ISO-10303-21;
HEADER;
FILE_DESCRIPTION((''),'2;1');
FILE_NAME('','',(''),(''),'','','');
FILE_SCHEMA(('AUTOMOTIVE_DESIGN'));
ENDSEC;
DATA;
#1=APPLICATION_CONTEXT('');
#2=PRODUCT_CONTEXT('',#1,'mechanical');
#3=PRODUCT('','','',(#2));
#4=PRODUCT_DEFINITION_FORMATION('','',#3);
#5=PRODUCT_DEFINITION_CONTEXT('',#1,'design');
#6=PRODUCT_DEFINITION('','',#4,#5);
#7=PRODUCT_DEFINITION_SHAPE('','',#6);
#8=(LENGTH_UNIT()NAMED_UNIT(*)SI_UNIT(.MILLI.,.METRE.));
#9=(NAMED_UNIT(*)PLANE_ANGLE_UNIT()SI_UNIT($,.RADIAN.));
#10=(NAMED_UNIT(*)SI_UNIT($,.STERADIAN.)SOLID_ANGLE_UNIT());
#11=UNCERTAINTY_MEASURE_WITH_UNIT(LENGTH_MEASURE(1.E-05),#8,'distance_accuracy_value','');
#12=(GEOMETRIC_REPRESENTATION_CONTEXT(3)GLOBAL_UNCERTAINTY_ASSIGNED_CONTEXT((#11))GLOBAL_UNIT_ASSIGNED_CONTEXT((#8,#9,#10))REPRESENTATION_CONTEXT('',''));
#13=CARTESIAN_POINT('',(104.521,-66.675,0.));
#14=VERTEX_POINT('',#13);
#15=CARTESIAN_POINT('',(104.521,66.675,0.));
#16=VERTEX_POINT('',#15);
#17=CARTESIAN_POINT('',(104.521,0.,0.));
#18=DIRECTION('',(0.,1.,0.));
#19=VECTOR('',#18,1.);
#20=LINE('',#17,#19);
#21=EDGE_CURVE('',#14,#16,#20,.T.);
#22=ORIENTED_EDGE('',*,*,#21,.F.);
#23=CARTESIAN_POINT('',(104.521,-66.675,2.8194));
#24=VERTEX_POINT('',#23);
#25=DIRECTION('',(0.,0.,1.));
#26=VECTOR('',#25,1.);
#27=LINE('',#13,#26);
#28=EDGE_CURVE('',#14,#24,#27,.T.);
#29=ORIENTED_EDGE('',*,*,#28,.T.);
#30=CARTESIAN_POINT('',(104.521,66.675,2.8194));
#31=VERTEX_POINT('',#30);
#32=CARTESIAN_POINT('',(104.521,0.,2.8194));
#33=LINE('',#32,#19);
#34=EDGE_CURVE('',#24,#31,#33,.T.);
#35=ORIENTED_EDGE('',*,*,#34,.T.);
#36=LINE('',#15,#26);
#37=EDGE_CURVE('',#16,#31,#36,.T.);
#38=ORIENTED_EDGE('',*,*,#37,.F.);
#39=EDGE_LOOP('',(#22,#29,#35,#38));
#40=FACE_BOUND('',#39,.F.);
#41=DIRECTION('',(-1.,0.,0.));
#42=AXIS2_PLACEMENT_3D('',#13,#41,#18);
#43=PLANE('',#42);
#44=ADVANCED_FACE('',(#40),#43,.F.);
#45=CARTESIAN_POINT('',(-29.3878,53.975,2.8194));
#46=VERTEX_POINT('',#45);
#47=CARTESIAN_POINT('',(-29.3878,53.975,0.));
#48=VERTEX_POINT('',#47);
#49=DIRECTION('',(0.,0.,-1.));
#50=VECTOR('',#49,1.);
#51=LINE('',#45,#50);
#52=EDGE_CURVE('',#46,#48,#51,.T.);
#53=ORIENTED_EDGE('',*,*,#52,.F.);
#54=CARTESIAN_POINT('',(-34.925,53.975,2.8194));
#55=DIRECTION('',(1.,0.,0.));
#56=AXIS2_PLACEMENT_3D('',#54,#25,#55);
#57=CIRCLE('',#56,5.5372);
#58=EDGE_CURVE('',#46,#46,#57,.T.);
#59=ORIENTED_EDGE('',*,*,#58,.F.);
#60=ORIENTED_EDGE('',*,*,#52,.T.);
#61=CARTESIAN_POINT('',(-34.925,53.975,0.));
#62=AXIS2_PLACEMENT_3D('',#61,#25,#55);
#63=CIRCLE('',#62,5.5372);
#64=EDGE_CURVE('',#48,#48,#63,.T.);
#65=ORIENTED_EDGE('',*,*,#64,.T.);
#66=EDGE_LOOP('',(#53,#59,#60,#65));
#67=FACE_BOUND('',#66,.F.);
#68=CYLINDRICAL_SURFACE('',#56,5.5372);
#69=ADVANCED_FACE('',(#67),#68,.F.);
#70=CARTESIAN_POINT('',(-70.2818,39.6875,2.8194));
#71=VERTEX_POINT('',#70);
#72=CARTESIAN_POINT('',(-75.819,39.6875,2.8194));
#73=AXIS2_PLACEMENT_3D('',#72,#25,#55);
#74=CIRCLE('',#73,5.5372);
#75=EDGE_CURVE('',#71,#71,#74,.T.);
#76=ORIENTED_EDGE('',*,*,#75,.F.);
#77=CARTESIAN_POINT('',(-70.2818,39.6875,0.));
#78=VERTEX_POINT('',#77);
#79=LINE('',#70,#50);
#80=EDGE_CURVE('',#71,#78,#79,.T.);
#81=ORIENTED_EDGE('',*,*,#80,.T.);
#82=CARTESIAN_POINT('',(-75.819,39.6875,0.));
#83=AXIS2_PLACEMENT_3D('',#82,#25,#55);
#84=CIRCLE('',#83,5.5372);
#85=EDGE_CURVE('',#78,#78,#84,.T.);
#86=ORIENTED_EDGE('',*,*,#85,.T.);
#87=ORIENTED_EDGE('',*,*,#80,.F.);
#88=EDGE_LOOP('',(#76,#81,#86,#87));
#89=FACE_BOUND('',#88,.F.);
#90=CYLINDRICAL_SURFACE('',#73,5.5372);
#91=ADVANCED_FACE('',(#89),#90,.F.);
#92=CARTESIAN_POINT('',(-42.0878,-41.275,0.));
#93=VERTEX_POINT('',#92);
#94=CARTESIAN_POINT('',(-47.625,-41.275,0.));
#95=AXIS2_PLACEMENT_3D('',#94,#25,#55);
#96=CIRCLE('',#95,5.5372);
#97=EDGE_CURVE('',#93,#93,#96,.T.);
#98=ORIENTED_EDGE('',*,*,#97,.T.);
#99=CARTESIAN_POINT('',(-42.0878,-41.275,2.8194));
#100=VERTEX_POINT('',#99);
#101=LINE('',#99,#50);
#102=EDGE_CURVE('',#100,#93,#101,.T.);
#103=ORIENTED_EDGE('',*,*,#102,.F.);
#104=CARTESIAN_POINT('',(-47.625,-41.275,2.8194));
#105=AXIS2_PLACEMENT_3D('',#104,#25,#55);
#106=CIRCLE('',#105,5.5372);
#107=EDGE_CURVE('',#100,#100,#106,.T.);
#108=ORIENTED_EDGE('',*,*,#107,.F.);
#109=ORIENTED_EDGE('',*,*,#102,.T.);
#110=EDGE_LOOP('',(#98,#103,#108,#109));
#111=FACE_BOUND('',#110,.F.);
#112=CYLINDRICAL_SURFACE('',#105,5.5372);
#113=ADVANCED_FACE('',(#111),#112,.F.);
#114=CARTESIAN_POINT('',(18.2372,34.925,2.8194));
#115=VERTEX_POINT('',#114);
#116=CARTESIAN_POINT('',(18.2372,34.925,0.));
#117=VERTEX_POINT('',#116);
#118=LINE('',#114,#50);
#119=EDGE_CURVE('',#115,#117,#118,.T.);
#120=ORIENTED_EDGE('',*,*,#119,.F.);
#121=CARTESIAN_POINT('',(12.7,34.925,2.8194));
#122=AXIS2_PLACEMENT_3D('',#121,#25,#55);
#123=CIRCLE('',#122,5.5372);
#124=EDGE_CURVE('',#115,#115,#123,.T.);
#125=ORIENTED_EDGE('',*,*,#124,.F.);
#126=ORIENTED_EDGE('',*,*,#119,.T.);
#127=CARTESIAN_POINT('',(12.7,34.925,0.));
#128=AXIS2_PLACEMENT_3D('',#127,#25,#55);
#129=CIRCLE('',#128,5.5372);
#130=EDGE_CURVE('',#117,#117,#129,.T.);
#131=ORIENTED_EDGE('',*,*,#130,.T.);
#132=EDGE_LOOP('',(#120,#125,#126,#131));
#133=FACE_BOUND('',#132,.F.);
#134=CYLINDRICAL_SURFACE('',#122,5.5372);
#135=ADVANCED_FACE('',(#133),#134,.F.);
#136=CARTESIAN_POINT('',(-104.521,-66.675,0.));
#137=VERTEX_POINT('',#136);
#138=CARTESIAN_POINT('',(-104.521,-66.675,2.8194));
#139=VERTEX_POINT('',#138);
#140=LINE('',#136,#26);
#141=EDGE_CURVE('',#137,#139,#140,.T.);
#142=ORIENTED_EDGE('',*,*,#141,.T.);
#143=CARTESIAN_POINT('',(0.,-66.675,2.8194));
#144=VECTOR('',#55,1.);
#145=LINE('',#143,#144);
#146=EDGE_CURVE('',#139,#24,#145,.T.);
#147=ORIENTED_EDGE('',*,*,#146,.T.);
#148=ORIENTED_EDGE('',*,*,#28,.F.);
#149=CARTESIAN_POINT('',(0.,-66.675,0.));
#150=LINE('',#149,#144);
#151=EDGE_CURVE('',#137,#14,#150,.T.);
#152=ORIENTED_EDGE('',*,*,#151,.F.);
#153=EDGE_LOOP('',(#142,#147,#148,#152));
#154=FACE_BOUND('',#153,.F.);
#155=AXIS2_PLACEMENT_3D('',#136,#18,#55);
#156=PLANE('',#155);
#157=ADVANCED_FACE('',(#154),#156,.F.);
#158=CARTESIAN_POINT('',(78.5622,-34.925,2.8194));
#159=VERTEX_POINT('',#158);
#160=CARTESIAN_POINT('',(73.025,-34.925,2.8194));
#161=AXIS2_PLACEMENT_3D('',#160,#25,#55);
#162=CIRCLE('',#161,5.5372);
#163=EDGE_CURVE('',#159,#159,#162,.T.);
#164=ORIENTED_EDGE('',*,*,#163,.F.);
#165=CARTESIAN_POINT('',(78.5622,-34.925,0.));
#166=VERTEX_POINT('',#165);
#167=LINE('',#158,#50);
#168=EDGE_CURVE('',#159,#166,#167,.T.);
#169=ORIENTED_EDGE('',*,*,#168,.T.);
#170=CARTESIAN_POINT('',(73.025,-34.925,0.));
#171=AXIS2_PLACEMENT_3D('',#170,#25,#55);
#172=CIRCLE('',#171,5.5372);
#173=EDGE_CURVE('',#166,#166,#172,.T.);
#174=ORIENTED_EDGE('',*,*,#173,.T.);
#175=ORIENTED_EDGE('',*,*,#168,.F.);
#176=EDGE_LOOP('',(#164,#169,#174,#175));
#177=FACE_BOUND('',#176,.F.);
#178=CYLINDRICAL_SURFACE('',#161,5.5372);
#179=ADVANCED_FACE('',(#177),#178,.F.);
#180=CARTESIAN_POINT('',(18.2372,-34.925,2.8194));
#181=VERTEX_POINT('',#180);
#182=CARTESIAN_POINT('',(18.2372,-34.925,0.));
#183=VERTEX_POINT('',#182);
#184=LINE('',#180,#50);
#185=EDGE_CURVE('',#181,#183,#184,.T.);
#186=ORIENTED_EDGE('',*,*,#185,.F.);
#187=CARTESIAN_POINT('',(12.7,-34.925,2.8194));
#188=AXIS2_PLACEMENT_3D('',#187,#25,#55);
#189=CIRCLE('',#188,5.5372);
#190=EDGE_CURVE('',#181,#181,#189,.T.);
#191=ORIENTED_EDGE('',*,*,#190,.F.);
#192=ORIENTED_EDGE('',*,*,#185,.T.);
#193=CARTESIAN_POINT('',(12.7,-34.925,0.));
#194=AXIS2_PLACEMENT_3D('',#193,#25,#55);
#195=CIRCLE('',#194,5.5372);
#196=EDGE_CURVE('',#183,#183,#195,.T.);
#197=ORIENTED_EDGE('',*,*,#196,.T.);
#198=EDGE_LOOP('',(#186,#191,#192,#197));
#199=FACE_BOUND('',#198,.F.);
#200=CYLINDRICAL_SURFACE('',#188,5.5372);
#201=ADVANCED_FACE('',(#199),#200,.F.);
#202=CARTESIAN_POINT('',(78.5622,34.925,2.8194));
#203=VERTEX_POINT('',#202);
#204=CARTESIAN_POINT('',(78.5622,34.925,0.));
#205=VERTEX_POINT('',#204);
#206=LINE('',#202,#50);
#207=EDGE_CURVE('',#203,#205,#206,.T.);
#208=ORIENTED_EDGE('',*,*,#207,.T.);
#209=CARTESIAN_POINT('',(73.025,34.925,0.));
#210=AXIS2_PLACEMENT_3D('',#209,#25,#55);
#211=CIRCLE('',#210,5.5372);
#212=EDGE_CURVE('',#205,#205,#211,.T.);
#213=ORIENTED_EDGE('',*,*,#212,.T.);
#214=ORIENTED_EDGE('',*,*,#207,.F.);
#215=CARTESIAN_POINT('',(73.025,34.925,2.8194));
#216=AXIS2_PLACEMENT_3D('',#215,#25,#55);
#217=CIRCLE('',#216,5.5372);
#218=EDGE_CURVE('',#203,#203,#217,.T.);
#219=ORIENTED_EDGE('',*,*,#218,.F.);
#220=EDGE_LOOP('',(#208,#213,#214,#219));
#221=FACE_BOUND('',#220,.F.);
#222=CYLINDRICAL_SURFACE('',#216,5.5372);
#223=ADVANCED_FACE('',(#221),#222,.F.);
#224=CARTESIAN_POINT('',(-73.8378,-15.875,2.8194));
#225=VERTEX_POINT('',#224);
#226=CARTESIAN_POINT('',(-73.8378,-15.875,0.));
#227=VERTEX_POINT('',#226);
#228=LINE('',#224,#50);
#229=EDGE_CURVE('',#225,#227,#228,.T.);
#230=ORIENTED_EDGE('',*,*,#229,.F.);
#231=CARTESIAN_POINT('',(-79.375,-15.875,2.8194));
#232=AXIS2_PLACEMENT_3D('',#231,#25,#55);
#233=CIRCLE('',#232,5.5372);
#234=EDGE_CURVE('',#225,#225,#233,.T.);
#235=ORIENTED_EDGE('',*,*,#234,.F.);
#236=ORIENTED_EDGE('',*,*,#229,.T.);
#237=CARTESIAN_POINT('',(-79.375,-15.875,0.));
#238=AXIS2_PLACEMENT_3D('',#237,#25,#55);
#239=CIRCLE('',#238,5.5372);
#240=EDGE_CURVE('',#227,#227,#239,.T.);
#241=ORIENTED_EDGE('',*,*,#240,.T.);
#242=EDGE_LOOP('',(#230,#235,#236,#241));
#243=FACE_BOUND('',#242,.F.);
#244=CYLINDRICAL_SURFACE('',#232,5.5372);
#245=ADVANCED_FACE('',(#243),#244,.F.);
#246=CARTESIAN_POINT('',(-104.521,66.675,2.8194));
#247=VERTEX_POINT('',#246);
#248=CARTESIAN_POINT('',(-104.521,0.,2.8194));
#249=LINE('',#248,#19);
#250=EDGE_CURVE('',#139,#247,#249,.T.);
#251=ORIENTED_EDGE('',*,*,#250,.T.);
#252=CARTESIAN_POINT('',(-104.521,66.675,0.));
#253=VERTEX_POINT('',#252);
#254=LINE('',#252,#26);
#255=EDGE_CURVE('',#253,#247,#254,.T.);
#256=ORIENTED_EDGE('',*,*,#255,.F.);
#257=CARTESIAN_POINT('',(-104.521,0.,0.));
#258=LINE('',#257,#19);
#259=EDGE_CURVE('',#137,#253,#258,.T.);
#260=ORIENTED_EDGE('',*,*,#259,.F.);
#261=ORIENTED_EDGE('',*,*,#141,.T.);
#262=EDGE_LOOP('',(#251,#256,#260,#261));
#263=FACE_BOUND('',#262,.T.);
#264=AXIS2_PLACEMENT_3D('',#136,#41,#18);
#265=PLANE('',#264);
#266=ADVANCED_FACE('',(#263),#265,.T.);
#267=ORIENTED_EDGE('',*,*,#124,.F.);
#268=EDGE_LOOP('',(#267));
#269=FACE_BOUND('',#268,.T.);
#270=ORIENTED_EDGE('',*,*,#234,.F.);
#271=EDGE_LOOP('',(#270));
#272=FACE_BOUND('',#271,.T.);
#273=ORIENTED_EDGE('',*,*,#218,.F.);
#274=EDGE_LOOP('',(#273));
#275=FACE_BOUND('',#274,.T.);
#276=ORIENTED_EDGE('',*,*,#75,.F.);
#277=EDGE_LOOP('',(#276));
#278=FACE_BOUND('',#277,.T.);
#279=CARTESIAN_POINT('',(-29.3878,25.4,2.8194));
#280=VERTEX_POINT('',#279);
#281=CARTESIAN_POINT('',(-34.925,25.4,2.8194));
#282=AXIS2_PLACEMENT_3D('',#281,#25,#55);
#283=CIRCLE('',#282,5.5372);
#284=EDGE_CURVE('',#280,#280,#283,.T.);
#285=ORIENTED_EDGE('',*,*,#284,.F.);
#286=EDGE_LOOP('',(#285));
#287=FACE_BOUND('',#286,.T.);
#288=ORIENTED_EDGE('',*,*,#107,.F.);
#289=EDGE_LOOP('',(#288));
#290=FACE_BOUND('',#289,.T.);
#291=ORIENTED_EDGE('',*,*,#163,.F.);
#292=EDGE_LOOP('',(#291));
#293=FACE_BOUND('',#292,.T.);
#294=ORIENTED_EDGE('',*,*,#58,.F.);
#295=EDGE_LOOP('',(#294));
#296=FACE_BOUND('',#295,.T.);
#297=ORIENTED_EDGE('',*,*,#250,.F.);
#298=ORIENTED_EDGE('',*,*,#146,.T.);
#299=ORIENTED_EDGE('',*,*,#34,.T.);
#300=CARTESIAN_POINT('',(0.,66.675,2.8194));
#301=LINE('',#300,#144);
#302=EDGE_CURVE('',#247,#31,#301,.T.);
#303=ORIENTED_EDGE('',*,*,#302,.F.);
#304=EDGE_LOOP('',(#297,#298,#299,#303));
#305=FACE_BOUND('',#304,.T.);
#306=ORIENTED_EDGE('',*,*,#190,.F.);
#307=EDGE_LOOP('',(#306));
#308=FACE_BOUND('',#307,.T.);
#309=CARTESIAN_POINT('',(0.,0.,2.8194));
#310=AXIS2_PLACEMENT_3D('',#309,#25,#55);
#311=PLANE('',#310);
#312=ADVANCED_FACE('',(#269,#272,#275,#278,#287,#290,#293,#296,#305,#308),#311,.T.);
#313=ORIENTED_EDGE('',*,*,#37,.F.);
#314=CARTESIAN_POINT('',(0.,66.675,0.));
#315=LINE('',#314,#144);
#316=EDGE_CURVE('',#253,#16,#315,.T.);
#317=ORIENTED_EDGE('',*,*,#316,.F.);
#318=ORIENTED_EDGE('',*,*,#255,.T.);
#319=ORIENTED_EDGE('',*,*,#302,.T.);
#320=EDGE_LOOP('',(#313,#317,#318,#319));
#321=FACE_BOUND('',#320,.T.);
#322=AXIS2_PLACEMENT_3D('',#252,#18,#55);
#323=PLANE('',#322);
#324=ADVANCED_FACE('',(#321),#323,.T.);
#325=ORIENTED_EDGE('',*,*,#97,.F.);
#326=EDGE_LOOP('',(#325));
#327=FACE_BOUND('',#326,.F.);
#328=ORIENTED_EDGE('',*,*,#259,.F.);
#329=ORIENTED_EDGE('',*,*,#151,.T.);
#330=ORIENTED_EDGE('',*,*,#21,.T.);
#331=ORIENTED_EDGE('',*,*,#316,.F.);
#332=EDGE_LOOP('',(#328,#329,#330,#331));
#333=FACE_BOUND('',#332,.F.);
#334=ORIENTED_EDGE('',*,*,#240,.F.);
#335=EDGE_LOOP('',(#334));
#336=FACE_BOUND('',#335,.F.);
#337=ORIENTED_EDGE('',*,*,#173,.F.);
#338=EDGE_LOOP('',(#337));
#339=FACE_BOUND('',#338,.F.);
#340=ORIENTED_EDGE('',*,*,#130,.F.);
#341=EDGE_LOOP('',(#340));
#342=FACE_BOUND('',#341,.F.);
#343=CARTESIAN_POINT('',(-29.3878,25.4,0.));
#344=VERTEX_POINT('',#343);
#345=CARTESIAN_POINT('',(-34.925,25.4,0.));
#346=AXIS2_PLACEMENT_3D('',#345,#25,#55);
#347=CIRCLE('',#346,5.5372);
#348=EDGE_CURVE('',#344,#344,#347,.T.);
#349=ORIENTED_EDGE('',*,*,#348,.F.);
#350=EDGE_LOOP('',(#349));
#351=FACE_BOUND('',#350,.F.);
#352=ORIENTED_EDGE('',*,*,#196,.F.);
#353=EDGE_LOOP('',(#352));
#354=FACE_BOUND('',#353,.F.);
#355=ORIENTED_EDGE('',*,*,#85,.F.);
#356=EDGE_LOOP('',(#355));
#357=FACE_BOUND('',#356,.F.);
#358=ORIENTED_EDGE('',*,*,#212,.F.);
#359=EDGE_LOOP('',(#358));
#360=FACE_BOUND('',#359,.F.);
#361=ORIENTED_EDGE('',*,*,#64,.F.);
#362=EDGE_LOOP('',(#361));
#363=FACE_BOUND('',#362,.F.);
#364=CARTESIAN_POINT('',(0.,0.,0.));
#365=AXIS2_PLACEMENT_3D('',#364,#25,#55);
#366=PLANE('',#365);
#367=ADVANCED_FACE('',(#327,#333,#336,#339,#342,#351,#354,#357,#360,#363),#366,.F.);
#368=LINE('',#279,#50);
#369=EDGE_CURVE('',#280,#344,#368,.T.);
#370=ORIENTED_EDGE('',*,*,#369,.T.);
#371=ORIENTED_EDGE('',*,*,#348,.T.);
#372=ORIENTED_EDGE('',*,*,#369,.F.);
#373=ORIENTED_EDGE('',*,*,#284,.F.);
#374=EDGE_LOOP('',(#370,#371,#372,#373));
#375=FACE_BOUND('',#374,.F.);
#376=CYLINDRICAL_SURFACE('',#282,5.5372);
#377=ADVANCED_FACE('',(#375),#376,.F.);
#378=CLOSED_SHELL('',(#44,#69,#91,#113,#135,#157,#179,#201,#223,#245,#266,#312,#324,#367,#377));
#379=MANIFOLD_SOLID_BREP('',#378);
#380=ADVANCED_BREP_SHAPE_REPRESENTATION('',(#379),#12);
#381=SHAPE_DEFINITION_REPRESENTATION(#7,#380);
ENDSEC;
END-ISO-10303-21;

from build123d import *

# Parameters (mm, degrees)
F0_W     = 209.042
F0_H     = 133.35
F1_DEPTH = 2.8194
F2_R     = 5.5372
F3_DEPTH = 2.8204


with BuildPart() as f1:
    # F0 (on Top) → F1 (new body)
    with BuildSketch(Plane.XY):
        Rectangle(F0_W, F0_H)
    extrude(amount=F1_DEPTH)

    # F2 (on face) → F3 (cut, through all)
    with BuildSketch(Plane.XY.offset(2.8194)):
        with Locations((-75.819, 39.6875)):
            Circle(F2_R)
        with Locations((-79.375, -15.875)):
            Circle(F2_R)
        with Locations((-34.925, 53.975)):
            Circle(F2_R)
        with Locations((-34.925, 25.4)):
            Circle(F2_R)
        with Locations((12.7, 34.925)):
            Circle(F2_R)
        with Locations((-47.625, -41.275)):
            Circle(F2_R)
        with Locations((73.025, 34.925)):
            Circle(F2_R)
        with Locations((12.7, -34.925)):
            Circle(F2_R)
        with Locations((73.025, -34.925)):
            Circle(F2_R)
    extrude(amount=-F3_DEPTH, mode=Mode.SUBTRACT)


solid = f1.part
